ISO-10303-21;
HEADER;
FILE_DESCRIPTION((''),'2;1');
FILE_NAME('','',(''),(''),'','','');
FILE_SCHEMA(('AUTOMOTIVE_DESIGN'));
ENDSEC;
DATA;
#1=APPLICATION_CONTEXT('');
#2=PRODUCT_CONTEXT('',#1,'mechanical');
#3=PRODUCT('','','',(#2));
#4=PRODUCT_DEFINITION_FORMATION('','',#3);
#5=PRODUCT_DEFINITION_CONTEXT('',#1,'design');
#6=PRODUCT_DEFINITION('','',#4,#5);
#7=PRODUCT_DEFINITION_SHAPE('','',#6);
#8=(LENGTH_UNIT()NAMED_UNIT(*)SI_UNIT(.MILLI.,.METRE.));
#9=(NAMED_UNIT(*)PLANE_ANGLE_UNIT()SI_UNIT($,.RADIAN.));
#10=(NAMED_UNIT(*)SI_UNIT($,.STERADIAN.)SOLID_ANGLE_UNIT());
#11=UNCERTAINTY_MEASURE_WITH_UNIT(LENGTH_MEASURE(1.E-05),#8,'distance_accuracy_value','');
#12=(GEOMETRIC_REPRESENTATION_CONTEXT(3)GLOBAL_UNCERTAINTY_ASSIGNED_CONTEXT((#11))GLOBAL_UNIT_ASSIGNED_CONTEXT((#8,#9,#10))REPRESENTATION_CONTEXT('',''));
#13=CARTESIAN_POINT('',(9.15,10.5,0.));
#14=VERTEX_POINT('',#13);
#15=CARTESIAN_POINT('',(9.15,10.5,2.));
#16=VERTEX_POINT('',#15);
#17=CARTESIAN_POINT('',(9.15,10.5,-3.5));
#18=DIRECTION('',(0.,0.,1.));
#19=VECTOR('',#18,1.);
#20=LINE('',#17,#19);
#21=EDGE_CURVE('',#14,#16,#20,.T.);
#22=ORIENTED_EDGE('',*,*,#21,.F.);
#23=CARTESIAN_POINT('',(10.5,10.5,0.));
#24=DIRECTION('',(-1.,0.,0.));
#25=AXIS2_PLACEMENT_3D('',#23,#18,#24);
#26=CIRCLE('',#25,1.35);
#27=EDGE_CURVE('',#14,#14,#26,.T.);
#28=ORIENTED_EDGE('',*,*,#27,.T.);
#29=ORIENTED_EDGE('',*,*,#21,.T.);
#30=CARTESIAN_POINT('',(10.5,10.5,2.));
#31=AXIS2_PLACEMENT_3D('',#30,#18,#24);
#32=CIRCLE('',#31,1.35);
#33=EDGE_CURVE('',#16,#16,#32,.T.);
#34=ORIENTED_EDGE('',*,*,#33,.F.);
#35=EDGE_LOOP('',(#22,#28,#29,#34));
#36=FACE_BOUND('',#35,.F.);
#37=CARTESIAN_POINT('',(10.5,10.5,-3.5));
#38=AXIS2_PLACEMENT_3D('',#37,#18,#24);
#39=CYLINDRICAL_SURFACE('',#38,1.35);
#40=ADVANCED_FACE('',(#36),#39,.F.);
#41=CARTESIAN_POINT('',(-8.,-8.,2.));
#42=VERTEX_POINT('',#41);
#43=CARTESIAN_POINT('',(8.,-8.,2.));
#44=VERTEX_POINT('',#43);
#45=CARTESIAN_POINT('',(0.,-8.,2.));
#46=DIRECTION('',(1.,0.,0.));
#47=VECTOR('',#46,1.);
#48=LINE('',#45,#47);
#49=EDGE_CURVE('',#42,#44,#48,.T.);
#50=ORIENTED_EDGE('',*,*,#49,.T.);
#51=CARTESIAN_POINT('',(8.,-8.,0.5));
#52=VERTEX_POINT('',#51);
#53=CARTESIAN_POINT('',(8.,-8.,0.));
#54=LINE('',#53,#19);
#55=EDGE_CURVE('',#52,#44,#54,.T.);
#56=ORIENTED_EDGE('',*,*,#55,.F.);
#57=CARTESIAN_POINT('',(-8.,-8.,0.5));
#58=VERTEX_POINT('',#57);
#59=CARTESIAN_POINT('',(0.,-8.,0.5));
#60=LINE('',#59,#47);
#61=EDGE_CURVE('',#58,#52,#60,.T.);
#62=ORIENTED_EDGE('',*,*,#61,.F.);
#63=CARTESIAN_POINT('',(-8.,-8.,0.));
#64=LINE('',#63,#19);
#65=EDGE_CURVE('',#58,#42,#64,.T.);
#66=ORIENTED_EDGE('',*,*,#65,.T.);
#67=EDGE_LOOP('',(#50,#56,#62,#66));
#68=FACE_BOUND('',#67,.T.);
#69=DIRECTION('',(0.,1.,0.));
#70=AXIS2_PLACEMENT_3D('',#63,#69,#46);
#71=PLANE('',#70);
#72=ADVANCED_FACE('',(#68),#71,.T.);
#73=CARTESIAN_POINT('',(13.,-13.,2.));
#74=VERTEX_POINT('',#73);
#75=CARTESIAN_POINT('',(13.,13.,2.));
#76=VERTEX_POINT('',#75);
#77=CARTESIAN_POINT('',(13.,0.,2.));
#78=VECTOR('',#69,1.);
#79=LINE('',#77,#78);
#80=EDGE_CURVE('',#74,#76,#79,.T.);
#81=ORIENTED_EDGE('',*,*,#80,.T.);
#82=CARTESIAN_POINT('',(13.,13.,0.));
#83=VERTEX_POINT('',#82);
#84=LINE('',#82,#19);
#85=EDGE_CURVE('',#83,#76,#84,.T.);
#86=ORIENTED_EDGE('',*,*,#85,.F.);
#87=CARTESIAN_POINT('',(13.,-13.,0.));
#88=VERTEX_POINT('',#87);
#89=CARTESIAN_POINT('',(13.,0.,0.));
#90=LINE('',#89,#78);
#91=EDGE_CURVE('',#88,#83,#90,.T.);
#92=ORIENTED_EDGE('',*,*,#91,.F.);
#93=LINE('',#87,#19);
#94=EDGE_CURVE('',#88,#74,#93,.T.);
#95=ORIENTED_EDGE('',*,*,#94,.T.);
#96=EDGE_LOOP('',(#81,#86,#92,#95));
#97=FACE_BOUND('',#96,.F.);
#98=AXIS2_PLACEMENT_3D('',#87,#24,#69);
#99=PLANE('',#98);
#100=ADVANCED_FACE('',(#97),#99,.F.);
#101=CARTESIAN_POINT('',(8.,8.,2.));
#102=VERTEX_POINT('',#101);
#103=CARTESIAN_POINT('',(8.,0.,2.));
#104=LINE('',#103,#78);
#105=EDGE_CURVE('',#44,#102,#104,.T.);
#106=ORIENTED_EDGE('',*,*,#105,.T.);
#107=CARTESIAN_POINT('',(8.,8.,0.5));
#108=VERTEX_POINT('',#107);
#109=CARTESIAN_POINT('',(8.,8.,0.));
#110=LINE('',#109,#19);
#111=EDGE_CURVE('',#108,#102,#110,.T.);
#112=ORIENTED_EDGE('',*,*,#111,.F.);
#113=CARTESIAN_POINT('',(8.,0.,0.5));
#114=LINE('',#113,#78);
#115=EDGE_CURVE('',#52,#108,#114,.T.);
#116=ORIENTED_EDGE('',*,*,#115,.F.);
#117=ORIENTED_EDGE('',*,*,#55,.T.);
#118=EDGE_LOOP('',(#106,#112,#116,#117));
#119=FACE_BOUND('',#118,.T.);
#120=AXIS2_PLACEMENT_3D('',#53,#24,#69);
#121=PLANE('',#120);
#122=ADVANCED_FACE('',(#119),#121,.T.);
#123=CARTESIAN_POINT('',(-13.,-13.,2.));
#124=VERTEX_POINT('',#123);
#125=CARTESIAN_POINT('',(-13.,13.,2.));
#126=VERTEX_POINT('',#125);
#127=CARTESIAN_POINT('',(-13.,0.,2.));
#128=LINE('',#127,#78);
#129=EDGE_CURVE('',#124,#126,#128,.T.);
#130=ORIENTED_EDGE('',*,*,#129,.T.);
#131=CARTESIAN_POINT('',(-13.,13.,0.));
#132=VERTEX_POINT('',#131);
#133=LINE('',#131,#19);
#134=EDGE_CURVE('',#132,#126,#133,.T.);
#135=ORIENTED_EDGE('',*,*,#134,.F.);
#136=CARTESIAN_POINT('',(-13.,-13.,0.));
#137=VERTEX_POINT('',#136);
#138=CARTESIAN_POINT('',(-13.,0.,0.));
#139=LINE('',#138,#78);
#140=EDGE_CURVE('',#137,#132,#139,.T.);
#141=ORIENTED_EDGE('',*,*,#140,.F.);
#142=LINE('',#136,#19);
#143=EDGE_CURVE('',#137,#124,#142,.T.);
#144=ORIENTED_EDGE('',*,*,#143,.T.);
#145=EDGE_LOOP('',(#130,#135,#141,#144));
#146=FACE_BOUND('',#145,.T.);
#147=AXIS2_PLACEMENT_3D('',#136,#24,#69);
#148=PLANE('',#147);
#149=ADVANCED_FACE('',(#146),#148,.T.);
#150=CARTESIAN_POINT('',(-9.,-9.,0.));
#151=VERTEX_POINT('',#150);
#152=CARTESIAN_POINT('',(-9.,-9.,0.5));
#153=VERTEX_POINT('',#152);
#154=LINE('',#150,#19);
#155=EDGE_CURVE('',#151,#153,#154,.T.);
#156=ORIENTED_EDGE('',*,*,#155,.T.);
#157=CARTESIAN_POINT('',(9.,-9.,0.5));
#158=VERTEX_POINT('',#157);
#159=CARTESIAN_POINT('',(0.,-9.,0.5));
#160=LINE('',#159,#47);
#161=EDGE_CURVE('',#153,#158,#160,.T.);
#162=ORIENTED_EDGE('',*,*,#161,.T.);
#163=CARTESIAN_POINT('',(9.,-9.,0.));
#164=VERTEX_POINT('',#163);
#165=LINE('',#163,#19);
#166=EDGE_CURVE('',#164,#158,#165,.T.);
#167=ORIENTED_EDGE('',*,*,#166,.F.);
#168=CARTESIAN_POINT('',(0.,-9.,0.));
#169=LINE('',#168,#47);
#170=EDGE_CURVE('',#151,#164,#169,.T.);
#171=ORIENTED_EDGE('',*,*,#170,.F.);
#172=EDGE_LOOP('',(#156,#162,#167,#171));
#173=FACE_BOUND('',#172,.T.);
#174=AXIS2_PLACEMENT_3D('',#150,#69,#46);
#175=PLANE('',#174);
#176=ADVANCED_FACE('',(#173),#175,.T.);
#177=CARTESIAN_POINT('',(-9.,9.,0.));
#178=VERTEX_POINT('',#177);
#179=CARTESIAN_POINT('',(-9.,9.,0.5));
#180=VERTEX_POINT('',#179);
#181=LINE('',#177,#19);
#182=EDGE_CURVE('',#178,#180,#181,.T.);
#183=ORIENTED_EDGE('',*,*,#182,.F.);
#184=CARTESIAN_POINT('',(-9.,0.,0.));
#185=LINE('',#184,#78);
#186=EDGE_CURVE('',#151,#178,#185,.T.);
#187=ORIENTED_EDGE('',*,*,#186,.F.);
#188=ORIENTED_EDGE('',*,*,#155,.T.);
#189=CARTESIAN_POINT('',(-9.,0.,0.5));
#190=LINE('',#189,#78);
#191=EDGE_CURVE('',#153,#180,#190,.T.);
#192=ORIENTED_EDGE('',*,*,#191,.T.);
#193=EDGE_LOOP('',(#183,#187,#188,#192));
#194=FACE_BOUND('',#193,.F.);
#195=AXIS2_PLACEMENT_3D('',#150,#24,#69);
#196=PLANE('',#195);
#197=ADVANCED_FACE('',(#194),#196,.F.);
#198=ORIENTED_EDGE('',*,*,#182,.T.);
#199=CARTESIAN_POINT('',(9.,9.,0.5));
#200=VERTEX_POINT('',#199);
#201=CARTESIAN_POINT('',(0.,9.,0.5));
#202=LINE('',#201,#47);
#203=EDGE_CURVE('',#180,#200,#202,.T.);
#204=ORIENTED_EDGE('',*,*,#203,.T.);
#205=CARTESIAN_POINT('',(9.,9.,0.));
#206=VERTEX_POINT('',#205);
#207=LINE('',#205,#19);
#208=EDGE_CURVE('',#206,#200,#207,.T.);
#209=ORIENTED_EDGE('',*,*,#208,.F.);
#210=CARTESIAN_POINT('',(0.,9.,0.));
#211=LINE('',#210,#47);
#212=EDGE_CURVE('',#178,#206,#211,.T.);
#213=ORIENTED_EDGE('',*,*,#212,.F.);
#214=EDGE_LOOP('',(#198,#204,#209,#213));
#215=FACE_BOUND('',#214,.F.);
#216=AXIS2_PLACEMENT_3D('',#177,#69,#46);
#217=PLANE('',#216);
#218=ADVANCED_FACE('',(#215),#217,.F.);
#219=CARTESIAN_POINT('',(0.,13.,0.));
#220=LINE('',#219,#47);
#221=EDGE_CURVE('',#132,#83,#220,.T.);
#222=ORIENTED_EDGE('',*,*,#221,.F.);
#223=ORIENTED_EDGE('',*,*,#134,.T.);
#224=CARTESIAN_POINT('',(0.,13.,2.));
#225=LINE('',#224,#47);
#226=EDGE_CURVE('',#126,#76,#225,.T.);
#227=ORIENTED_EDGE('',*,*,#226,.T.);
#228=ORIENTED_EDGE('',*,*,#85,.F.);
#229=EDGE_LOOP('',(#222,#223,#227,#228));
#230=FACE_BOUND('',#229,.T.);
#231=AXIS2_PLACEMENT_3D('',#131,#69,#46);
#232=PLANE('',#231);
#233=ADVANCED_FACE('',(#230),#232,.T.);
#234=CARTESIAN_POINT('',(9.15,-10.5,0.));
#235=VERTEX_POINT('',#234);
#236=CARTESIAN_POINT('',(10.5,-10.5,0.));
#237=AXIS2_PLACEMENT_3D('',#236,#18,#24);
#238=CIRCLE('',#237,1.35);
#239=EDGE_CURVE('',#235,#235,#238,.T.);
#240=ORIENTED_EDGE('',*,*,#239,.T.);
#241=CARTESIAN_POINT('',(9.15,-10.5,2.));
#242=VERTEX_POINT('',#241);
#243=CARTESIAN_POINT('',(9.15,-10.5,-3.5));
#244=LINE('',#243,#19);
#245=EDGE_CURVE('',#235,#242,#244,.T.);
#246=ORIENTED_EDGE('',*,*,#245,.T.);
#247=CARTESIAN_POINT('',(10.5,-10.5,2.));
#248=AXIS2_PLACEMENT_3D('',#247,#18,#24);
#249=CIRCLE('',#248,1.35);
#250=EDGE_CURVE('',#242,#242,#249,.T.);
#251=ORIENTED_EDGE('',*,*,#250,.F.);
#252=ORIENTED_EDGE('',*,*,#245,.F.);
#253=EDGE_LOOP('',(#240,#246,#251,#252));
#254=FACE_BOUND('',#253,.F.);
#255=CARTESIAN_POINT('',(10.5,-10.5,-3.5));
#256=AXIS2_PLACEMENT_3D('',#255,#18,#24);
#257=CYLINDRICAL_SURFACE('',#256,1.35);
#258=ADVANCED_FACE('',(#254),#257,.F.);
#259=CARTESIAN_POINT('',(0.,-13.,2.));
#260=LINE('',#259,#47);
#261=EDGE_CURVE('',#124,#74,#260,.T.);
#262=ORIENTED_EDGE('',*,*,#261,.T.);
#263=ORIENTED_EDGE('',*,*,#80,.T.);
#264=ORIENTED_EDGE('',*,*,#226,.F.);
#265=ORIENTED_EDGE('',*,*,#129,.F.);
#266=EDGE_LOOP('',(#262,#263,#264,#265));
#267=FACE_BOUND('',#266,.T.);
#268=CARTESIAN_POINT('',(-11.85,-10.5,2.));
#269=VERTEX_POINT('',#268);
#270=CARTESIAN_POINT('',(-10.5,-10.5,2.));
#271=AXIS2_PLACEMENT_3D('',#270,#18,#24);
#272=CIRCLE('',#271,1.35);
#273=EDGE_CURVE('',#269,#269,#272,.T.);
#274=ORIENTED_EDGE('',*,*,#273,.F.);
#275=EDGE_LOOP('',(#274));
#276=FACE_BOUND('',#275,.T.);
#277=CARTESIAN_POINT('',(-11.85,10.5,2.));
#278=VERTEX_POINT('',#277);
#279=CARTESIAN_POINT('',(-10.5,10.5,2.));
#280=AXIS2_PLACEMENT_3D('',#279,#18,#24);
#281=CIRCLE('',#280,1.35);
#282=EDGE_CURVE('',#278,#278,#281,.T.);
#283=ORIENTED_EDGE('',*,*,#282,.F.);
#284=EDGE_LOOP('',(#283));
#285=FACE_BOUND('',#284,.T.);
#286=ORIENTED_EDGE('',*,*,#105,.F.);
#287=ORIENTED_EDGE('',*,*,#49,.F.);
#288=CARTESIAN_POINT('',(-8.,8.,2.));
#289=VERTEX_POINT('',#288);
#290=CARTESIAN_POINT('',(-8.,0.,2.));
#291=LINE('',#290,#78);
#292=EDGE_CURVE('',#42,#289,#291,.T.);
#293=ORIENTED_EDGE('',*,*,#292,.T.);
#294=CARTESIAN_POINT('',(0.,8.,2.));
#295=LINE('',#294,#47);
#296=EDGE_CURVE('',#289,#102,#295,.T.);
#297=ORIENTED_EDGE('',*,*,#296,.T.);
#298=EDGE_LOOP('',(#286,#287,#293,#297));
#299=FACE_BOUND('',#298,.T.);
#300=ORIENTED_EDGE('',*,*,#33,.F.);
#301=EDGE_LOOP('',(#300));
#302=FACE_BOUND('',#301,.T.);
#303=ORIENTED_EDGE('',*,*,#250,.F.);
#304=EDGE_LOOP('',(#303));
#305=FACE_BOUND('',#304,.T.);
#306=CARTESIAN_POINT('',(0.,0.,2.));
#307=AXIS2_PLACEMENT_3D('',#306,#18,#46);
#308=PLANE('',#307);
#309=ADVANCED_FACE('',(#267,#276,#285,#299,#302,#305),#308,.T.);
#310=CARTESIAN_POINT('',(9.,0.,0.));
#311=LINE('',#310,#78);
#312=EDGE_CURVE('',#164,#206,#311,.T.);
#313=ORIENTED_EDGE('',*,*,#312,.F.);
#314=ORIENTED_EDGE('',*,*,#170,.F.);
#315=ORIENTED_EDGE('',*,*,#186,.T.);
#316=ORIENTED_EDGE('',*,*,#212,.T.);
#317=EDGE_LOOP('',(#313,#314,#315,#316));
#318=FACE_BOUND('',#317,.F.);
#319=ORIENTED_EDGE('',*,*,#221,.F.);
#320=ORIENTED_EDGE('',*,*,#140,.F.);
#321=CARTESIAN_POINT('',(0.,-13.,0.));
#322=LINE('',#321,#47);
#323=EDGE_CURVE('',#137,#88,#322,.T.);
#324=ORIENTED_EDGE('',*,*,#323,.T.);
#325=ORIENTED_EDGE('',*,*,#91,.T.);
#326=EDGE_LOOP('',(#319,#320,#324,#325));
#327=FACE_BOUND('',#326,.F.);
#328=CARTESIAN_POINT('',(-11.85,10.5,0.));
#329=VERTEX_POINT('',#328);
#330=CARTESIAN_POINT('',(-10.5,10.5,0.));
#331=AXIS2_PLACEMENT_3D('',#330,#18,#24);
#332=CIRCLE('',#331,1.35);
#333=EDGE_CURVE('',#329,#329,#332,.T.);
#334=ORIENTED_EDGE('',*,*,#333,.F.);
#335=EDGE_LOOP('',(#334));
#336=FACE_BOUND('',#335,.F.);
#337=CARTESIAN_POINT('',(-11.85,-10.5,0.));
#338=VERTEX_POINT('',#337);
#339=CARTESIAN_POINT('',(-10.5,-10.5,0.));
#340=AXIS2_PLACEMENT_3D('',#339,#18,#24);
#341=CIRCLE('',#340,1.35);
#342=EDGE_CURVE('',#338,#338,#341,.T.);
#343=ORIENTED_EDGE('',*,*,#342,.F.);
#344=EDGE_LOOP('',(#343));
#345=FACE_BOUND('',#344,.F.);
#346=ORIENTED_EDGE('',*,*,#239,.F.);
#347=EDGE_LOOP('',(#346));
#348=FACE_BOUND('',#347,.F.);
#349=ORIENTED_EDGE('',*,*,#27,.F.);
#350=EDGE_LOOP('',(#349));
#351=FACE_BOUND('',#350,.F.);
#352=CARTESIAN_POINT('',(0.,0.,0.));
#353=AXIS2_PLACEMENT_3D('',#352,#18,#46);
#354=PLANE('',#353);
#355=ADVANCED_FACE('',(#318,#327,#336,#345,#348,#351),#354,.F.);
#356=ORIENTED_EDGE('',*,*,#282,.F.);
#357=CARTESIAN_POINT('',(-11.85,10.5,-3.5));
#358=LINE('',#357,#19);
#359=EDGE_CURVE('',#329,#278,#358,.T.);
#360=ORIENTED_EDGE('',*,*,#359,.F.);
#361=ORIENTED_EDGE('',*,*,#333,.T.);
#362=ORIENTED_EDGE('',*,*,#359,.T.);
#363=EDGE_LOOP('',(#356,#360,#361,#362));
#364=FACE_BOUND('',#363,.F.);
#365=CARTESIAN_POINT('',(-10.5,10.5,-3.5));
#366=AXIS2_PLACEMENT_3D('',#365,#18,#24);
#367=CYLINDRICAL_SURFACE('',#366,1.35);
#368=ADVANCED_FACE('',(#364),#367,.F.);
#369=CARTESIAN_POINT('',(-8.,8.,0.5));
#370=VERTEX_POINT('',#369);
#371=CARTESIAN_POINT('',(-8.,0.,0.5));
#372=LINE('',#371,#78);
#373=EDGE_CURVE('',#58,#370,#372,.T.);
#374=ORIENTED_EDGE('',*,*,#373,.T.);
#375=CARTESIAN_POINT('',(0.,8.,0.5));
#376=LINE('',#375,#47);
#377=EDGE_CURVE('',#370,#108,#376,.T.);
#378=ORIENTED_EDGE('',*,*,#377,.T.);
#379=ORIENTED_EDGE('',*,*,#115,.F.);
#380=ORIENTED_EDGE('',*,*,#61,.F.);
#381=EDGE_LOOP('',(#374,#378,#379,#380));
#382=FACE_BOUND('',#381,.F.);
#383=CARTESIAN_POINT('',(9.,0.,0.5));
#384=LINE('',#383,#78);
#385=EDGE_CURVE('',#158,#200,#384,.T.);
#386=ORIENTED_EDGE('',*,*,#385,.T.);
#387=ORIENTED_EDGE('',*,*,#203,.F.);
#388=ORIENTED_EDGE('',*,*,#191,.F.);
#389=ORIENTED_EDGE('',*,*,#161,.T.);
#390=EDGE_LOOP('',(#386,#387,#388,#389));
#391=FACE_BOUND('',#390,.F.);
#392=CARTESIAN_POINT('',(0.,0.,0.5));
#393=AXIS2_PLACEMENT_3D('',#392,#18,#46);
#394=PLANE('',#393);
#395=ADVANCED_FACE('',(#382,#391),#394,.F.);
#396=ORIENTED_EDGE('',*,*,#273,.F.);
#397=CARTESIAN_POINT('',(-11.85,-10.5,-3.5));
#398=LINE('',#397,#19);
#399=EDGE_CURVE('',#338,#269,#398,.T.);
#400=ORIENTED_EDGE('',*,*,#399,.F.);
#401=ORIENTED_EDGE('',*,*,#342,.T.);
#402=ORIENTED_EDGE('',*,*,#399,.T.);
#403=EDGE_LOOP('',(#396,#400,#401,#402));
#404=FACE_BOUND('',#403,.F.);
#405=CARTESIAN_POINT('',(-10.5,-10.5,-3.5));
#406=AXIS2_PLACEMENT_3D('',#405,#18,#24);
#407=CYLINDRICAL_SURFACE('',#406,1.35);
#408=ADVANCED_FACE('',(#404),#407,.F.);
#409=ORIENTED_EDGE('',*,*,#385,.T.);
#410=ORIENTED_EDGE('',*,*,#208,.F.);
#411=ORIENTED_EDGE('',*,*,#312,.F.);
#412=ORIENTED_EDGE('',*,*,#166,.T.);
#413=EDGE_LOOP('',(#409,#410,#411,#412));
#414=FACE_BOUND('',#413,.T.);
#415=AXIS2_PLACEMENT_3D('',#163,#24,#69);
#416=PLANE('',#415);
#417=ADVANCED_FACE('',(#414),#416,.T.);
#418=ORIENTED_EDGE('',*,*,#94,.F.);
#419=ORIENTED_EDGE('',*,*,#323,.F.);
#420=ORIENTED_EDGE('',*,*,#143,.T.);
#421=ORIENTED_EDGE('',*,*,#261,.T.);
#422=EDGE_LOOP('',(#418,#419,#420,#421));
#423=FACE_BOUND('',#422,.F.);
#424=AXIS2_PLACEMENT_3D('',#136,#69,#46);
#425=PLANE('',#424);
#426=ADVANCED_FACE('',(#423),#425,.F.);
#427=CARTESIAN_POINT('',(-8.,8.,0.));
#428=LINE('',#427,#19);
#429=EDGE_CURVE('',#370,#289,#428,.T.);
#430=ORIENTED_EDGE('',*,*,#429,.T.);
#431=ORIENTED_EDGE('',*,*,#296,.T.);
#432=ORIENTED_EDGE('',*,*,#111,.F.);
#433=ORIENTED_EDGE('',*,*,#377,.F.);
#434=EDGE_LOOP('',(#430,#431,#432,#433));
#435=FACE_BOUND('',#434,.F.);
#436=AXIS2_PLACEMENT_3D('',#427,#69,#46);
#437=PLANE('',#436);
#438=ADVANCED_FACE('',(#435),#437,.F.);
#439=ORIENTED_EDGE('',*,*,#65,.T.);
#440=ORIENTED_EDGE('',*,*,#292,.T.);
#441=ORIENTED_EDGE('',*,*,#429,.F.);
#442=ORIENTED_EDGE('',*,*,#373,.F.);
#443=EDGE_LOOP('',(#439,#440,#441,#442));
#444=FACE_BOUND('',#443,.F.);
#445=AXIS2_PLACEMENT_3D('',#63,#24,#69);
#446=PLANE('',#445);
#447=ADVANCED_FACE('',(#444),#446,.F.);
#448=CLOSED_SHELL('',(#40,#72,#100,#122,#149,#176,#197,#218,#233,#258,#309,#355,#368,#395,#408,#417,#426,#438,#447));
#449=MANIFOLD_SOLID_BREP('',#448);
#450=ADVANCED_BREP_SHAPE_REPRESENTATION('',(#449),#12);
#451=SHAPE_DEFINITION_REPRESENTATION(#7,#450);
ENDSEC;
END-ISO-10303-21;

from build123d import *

# Parameters (mm, degrees)
F0_W     = 26
F0_H     = 26
F0_W_2   = 18
F0_H_2   = 18
F0_W_3   = 16
F0_H_3   = 16
F1_DEPTH = 2
F2_DEPTH = 0.5
F4_D     = 2.7
F4_DEPTH = 3.5
F4_TIP   = 0.8111618357


with BuildPart() as f1:
    # F0 (on Top) → F1 (new body)
    with BuildSketch(Plane.XY):
        Rectangle(F0_W, F0_H)
        Rectangle(F0_W_2, F0_H_2, mode=Mode.SUBTRACT)
        Rectangle(F0_W_2, F0_H_2)
        Rectangle(F0_W_3, F0_H_3, mode=Mode.SUBTRACT)
    extrude(amount=F1_DEPTH)

    # F0 (on Top) → F2 (cut)
    with BuildSketch(Plane.XY):
        Rectangle(F0_W_2, F0_H_2)
        Rectangle(F0_W_3, F0_H_3, mode=Mode.SUBTRACT)
    extrude(amount=F2_DEPTH, mode=Mode.SUBTRACT)

    # F4
    with Locations(Plane(origin=(0, 0, 0), x_dir=(1, 0, 0), z_dir=(0, 0, -1))):
        with Locations((-10.5, 10.5), (10.5, 10.5), (10.5, -10.5), (-10.5, -10.5)):
            Hole(F4_D / 2, depth=F4_DEPTH)
            with Locations((0, 0, -(F4_DEPTH + F4_TIP / 2))):  # 118° drill point
                Cone(0, F4_D / 2, F4_TIP, mode=Mode.SUBTRACT)


solid = f1.part
